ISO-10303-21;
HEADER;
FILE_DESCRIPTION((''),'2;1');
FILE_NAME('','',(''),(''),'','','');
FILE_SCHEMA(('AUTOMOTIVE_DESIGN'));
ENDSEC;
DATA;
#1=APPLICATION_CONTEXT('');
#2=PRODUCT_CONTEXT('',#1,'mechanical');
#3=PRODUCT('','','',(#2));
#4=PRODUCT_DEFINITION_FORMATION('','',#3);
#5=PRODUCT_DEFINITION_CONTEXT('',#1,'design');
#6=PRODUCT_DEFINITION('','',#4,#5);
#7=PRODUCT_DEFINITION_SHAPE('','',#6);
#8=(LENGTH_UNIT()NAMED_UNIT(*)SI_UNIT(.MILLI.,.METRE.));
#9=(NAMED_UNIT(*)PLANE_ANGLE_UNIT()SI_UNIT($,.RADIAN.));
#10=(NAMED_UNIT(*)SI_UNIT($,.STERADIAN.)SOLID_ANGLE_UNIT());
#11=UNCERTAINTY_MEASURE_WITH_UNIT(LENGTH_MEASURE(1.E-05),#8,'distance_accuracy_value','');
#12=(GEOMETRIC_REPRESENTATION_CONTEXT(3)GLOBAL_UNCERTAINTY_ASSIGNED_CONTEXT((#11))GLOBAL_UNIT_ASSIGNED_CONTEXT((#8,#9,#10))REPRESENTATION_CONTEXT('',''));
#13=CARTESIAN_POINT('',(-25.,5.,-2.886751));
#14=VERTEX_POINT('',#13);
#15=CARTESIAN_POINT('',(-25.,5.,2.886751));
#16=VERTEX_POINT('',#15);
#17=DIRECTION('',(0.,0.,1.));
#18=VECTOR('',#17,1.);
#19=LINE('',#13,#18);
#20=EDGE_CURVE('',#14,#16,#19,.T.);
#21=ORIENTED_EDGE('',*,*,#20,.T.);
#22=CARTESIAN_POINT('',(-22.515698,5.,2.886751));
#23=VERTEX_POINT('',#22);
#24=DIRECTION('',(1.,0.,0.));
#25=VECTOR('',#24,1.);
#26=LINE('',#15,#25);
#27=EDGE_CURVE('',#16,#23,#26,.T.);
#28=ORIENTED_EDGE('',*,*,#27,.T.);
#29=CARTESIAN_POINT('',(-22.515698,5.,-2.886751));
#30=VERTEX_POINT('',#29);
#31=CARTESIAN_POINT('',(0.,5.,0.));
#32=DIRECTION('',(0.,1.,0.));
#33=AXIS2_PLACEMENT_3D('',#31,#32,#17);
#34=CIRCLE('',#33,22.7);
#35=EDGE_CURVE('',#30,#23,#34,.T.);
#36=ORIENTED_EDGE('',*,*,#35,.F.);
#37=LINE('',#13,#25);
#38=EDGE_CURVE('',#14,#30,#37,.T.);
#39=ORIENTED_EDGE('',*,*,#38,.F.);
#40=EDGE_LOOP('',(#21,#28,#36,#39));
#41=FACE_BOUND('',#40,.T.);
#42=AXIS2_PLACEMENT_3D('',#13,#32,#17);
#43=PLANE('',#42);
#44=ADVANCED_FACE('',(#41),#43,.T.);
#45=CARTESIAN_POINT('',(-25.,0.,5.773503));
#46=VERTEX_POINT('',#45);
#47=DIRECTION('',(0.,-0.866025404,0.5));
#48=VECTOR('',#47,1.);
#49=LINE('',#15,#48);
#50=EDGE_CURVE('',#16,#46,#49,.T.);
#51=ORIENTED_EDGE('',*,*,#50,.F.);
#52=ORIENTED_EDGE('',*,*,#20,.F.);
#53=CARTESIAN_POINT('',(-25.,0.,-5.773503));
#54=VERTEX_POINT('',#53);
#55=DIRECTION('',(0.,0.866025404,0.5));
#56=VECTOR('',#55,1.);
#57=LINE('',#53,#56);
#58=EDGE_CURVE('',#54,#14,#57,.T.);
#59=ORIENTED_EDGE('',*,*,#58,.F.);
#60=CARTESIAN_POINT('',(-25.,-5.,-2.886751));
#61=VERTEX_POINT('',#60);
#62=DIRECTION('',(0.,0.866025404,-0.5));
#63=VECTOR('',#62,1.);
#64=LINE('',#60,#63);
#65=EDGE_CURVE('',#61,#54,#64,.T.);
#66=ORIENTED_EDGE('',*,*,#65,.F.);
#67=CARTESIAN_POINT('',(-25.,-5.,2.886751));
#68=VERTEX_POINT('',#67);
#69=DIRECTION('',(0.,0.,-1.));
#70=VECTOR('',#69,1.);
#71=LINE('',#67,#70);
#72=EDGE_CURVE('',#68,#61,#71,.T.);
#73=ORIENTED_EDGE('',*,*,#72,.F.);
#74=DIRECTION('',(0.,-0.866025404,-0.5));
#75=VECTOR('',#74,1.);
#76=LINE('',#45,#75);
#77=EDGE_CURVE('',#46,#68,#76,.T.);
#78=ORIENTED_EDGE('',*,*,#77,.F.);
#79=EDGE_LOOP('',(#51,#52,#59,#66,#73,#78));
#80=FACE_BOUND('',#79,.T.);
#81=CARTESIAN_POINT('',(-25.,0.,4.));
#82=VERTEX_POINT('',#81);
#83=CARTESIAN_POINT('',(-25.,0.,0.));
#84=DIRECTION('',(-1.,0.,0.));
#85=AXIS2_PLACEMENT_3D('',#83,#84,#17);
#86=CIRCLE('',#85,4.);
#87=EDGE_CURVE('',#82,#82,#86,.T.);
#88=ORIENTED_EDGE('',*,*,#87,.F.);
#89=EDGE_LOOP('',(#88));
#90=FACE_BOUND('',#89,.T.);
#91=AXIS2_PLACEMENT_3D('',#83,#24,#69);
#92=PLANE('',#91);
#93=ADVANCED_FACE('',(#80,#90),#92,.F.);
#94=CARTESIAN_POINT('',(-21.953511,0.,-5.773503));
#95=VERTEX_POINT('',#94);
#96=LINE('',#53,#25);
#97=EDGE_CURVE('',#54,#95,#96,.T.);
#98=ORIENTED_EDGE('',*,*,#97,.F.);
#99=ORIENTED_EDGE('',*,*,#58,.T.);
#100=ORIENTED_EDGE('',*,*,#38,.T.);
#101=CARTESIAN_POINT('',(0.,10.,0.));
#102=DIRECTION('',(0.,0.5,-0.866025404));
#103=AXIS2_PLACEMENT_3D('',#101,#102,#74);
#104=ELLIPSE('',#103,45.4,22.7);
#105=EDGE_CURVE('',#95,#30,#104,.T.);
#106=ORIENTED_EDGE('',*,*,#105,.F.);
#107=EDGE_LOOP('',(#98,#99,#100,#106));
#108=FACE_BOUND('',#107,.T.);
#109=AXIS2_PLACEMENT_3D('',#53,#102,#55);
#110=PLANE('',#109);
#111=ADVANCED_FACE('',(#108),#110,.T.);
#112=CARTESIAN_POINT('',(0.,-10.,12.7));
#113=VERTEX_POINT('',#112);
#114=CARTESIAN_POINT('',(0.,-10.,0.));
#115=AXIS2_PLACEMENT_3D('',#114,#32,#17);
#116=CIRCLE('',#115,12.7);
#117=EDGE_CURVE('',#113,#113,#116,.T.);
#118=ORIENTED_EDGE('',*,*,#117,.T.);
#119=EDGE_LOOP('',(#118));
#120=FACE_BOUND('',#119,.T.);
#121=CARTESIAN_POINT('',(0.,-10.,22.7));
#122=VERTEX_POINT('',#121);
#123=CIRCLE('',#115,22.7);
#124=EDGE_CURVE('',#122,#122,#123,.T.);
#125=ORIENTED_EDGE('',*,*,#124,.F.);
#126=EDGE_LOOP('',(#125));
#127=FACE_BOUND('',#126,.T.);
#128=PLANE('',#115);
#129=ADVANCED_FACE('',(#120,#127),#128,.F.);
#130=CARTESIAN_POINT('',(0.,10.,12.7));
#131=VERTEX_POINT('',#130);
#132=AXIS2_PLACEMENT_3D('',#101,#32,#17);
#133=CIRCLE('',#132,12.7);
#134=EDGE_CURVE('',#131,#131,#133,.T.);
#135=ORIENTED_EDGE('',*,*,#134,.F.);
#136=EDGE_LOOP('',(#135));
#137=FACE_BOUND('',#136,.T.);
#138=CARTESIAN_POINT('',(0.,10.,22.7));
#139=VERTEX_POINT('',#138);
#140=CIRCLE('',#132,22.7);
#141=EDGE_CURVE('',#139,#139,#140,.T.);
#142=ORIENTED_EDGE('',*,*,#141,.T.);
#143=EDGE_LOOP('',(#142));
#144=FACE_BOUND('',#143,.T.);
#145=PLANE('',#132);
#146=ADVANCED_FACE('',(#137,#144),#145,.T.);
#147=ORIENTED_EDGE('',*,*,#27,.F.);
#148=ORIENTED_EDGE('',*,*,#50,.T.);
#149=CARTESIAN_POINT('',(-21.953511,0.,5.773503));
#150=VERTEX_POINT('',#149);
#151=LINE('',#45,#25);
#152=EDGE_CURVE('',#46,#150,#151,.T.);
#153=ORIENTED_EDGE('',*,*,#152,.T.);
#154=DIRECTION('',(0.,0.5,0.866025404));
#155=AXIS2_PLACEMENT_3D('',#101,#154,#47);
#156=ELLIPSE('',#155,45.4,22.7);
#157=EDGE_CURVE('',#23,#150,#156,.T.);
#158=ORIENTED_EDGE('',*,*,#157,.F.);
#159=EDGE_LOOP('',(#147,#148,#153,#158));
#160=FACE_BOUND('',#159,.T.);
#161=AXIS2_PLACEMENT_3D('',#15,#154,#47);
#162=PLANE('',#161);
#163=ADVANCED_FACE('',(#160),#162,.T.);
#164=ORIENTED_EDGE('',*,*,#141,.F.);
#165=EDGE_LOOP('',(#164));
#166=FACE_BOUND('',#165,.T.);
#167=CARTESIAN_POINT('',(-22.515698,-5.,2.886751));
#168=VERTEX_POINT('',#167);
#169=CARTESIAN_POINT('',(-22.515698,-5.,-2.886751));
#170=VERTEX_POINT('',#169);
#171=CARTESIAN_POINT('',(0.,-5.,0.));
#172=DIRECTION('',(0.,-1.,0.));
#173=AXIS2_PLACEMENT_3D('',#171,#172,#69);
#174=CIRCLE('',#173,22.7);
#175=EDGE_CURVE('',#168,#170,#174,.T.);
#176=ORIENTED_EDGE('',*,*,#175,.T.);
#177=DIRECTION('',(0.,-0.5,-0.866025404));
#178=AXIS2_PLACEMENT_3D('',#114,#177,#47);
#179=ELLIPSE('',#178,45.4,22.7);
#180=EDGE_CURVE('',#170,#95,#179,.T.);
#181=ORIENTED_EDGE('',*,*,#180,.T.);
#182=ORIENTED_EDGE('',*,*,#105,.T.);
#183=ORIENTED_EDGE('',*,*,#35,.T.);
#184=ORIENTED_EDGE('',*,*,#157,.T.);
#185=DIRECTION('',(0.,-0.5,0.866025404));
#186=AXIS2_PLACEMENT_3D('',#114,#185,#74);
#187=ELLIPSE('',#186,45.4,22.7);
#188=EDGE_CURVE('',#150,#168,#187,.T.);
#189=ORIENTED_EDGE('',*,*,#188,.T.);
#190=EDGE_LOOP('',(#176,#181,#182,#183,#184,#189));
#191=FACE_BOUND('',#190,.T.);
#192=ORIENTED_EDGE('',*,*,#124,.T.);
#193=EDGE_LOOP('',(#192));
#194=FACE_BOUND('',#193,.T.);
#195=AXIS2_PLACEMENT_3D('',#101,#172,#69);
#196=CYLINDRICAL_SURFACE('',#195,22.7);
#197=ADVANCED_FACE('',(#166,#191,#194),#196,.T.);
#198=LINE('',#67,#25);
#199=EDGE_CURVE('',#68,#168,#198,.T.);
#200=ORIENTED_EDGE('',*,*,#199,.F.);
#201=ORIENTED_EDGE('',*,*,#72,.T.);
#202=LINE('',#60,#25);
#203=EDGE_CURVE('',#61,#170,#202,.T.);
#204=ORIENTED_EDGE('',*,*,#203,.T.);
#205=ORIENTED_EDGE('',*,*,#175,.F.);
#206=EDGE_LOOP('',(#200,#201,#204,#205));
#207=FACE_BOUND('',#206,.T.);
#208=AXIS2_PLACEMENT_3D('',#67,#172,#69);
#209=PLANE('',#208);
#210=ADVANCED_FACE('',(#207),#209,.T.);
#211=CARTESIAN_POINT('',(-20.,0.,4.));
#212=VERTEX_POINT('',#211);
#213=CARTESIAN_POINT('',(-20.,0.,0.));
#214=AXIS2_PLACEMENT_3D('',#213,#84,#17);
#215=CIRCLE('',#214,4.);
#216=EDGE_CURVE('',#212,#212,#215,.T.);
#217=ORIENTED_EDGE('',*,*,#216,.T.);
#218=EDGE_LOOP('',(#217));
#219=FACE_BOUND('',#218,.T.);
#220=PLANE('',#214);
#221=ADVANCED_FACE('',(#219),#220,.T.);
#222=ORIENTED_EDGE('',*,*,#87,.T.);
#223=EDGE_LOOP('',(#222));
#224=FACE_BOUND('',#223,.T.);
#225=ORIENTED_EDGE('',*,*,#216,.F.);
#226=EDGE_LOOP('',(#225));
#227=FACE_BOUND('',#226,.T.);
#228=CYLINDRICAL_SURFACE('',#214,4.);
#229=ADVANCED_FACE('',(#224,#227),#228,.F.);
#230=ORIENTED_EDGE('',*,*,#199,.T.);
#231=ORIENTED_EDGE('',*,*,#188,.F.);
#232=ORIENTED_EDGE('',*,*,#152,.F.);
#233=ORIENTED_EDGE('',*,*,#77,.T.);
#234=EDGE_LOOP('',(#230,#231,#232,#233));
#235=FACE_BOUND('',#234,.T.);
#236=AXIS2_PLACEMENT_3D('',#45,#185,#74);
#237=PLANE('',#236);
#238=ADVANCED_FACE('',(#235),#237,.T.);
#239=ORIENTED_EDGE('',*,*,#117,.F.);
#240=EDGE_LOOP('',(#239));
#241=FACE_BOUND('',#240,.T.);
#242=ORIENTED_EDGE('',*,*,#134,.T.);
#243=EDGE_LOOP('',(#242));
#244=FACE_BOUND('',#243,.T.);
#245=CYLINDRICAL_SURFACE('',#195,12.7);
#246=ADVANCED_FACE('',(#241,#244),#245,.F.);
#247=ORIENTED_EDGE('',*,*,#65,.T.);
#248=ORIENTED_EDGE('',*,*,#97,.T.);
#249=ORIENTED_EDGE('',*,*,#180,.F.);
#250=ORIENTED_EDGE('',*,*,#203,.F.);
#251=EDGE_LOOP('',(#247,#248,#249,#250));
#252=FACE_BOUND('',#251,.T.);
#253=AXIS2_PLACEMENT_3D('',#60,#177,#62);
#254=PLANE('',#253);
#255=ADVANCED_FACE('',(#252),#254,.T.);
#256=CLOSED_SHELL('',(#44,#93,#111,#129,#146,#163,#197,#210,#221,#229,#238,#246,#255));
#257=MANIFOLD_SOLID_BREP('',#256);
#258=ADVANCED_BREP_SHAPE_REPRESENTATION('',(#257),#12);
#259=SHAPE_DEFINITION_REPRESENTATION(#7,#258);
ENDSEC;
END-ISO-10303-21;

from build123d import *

# Parameters (mm, degrees)
SKETCH_2_R          = 22.7
SKETCH_2_R_2        = 12.7
EXTRUDE_1_DEPTH     = 10
EXTRUDE_START       = -20
EXTRUDE_2_DEPTH     = 5
SKETCH_4_R          = 4
CUT_EXTRUDE_2_DEPTH = 5


with BuildPart() as part:
    # Эскиз2 → Бобышка-Вытянуть1 (new, symmetric)
    with BuildSketch(Plane(origin=(0, 0, 0), x_dir=(1, 0, 0), z_dir=(0, 1, 0))):
        with Locations(Location((0, 0, 0), (0, 0, 270))):
            Circle(SKETCH_2_R)
        with Locations(Location((0, 0, 0), (0, 0, 270))):
            Circle(SKETCH_2_R_2, mode=Mode.SUBTRACT)
    extrude(amount=EXTRUDE_1_DEPTH, both=True)

    # Эскиз3 → Бобышка-Вытянуть2 (add)
    with BuildSketch(Plane(origin=(0, 0, 0), x_dir=(0, 0, -1), z_dir=(1, 0, 0)).offset(EXTRUDE_START)):
        Polygon((5.773502692, 0), (2.886751346, 5), (-2.886751346, 5), (-5.773502692, 0), (-2.886751346, -5), (2.886751346, -5), align=None)
    extrude(amount=-EXTRUDE_2_DEPTH)

    # Эскиз4 → Вырез-Вытянуть2 (cut)
    with BuildSketch(Plane.ZY.offset(25)):
        Circle(SKETCH_4_R)
    extrude(amount=-CUT_EXTRUDE_2_DEPTH, mode=Mode.SUBTRACT)


solid = part.part
